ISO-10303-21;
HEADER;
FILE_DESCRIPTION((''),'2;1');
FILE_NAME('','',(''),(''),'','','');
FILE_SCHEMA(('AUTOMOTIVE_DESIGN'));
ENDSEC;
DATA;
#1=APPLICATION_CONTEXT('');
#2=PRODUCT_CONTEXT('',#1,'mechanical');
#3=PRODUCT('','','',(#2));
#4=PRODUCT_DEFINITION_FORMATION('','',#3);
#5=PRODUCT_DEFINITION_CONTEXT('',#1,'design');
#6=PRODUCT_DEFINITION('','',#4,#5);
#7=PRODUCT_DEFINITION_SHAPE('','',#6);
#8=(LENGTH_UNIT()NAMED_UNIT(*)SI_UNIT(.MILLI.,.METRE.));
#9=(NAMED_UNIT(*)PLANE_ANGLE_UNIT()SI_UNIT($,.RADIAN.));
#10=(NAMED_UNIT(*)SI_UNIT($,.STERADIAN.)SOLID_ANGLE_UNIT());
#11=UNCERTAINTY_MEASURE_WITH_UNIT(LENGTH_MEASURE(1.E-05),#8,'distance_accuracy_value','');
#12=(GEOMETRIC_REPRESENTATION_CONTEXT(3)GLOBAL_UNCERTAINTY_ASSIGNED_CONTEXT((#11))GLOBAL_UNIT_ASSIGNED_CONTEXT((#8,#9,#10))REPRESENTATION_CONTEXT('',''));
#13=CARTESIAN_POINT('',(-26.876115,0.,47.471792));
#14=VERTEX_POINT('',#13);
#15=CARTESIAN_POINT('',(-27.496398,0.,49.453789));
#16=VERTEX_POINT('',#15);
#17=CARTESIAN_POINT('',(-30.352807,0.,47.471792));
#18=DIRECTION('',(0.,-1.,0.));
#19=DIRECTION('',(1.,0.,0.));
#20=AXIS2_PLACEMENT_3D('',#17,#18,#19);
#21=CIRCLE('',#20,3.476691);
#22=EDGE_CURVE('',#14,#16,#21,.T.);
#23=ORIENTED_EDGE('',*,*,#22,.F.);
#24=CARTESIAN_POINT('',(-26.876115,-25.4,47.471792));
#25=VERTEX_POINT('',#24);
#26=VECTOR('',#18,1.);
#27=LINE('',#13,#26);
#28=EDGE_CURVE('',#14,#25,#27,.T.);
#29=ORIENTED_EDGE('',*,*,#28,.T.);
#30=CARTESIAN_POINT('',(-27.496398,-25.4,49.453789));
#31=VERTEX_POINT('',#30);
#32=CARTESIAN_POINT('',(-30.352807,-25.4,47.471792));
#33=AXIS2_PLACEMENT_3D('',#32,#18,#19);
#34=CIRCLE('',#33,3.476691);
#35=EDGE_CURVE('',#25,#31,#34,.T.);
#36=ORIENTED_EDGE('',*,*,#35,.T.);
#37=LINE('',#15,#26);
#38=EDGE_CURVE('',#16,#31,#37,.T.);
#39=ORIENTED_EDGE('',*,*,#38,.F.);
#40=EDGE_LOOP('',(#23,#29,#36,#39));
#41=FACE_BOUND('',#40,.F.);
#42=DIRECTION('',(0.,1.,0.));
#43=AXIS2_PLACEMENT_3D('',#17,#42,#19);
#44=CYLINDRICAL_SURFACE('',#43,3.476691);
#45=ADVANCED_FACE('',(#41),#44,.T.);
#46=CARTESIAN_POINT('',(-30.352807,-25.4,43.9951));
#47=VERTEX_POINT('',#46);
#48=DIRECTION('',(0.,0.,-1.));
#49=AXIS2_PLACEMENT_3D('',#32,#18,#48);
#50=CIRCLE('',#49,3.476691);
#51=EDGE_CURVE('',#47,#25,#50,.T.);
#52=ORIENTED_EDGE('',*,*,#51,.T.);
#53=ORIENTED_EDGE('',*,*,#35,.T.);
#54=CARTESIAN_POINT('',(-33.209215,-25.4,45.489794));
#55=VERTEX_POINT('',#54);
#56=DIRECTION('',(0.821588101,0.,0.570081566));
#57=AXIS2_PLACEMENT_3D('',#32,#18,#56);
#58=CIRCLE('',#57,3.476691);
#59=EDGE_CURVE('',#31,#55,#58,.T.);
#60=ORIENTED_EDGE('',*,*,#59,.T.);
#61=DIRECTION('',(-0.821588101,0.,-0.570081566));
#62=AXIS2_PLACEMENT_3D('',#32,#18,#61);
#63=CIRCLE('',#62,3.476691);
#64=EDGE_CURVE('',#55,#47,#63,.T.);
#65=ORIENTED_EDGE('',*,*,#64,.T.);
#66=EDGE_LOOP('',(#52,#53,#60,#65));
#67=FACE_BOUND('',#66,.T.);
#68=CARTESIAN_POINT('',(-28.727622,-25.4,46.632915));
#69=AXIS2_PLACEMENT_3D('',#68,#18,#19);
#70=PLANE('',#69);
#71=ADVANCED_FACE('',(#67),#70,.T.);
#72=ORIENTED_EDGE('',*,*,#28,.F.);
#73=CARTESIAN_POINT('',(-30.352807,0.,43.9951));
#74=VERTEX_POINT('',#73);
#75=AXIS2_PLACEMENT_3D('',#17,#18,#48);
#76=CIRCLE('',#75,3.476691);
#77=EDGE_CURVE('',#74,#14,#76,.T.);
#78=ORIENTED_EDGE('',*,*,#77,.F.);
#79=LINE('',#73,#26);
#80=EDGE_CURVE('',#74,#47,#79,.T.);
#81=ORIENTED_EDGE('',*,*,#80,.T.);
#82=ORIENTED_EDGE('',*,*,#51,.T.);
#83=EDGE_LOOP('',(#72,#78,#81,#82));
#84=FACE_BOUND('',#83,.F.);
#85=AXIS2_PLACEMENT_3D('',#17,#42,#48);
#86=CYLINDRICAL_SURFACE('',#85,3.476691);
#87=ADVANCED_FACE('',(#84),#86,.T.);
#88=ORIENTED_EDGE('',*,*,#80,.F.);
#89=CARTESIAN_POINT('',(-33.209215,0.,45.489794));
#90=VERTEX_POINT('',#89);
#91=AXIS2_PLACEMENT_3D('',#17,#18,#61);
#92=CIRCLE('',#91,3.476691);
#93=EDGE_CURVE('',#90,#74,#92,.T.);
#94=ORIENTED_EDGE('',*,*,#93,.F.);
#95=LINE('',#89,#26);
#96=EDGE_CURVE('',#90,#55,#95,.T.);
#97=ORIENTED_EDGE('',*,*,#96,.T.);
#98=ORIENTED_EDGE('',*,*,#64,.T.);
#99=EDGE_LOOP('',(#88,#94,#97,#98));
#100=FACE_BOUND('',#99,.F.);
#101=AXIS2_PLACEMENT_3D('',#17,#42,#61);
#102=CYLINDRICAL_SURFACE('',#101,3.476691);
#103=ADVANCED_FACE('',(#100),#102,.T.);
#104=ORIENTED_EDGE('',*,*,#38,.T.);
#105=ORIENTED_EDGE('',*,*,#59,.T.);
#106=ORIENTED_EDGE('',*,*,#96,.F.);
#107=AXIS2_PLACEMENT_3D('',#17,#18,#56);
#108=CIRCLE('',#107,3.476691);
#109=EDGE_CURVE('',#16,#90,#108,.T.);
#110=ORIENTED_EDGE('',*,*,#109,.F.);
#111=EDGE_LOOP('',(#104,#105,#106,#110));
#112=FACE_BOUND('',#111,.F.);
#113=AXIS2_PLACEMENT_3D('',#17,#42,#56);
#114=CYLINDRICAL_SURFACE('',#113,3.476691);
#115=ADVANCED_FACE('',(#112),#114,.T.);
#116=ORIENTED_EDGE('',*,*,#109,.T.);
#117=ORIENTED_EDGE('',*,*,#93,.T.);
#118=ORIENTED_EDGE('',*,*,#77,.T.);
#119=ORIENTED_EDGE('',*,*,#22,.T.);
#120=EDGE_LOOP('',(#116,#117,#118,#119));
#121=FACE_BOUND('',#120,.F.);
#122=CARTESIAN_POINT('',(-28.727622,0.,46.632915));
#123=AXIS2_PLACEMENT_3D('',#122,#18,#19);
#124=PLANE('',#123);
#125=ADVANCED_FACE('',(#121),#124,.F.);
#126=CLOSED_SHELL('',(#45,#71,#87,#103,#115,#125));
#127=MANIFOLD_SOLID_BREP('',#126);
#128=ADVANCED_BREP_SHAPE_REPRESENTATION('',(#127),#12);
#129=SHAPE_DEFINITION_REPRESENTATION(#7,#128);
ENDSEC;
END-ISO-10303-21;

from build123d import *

# Parameters (mm, degrees)
F1_DEPTH = 25.4


with BuildPart() as f1:
    # F0 (on Front) → F1 (new body)
    with BuildSketch(Plane.XZ):
        with BuildLine():
            Line((-27.4963983576, 49.4537892033), (-30.3528066725, 47.4717915058))
            Line((-30.3528066725, 47.4717915058), (-30.3528066725, 43.9951000708))
            ThreePointArc((-30.3528066725, 43.9951000708), (-27.8944145827, 45.0133994161), (-26.8761152375, 47.4717915058))
            ThreePointArc((-26.8761152375, 47.4717915058), (-27.0348077531, 48.5101876275), (-27.4963983576, 49.4537892033))
        make_face()
        with BuildLine():
            Line((-33.2092149873, 45.4897938083), (-30.3528066725, 47.4717915058))
            Line((-30.3528066725, 47.4717915058), (-27.4963983576, 49.4537892033))
            ThreePointArc((-27.4963983576, 49.4537892033), (-32.3348043699, 50.3281998207), (-33.2092149873, 45.4897938083))
        make_face()
        with BuildLine():
            Line((-30.3528066725, 43.9951000708), (-30.3528066725, 47.4717915058))
            Line((-30.3528066725, 47.4717915058), (-33.2092149873, 45.4897938083))
            ThreePointArc((-33.2092149873, 45.4897938083), (-31.9647292691, 44.3913550308), (-30.3528066725, 43.9951000708))
        make_face()
    extrude(amount=F1_DEPTH)


solid = f1.part
